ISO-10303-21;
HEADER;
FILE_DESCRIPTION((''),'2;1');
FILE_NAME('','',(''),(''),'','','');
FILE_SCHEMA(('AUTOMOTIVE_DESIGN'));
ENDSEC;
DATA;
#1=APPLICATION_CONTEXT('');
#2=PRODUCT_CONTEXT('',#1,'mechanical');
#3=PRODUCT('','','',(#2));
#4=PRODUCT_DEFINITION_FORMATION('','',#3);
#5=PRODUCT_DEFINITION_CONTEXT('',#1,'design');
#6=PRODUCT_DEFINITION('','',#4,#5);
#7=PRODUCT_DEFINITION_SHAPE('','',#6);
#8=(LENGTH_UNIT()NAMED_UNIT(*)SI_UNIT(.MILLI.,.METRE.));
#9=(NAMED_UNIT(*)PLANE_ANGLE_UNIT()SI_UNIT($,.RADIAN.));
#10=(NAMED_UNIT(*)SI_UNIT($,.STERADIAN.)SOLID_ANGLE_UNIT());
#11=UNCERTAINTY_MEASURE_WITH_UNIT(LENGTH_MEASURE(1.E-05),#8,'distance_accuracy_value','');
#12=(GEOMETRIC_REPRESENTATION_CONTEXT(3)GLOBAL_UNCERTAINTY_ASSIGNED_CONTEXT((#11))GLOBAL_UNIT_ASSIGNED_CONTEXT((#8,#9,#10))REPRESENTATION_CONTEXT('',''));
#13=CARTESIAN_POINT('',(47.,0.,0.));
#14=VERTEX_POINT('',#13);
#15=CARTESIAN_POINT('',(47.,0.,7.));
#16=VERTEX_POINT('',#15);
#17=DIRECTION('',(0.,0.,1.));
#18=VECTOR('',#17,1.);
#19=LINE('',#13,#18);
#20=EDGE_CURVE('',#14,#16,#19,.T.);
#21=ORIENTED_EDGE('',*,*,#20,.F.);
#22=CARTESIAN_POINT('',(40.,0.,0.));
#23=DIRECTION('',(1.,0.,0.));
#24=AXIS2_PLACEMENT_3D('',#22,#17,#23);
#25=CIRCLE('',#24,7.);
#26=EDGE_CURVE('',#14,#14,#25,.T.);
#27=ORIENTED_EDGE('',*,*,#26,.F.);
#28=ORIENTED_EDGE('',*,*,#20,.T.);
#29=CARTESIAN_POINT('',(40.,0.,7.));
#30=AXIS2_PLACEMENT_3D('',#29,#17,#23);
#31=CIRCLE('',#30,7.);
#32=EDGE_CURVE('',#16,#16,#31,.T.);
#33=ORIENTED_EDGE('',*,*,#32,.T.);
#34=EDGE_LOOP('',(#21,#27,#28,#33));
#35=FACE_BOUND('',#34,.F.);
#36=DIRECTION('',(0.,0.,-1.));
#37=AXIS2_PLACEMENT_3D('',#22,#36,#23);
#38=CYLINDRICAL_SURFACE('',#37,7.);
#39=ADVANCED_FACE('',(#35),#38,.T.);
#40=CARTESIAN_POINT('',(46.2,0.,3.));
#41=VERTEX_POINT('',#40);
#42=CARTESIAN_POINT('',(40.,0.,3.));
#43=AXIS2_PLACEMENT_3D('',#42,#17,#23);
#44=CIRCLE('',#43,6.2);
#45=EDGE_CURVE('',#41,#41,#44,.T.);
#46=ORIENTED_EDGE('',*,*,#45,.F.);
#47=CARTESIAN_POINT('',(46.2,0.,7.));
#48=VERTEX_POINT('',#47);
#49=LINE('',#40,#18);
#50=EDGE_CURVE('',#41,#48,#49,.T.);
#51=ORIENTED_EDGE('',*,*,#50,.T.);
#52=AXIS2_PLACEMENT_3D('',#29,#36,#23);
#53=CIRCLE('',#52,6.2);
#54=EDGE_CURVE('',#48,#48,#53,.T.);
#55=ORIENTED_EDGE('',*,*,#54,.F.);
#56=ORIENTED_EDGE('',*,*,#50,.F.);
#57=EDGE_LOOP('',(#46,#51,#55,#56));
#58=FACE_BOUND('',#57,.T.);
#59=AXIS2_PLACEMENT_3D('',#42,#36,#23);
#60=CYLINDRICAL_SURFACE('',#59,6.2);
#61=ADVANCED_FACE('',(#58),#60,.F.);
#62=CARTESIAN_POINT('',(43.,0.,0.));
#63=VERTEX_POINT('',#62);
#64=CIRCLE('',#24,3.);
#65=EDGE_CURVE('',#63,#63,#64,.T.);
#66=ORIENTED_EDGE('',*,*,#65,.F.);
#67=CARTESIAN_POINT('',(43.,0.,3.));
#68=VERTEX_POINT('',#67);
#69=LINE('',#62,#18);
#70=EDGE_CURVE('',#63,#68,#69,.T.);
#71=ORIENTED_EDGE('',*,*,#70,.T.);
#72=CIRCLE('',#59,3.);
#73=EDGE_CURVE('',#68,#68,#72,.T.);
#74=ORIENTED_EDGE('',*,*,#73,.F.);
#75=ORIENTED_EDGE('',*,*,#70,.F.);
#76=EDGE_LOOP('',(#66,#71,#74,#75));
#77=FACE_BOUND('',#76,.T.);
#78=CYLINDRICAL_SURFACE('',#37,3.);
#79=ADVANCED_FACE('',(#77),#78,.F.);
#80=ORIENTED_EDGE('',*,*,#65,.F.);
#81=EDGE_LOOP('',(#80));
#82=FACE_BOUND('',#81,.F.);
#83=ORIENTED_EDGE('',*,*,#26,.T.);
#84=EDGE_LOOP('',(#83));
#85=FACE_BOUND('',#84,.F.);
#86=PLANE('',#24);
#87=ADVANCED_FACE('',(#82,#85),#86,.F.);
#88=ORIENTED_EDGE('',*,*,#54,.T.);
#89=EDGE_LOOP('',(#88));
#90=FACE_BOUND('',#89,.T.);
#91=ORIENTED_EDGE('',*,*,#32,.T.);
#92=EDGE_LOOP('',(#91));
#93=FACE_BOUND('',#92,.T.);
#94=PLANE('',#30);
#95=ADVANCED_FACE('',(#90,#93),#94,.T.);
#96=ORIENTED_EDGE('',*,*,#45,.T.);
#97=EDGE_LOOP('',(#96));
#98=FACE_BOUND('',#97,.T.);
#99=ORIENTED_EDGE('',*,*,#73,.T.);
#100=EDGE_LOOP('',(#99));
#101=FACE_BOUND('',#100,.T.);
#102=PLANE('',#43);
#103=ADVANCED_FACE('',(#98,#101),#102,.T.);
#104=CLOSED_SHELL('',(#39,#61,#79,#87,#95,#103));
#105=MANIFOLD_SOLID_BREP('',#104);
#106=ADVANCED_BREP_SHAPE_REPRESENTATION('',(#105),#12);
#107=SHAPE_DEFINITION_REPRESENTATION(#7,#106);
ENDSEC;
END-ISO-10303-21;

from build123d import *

# Parameters (mm, degrees)
CYLINDER018_R     = 6.2
CYLINDER018_DEPTH = 5
TUBE_R            = 7
TUBE_R_2          = 3
TUBE_DEPTH        = 7


with BuildPart() as cylinder:
    # Cylinder018 → Cylinder018 (new body)
    with BuildSketch(Plane(origin=(40, 0, 3), x_dir=(1, 0, 0), z_dir=(0, 0, 1))):
        Circle(CYLINDER018_R)
    extrude(amount=CYLINDER018_DEPTH)


with BuildPart() as captmp:
    # Tube → Tube (new body)
    with BuildSketch(Plane(origin=(40, 0, 0), x_dir=(1, 0, 0), z_dir=(0, 0, 1))):
        Circle(TUBE_R)
        Circle(TUBE_R_2, mode=Mode.SUBTRACT)
    extrude(amount=TUBE_DEPTH)

    # Cut011: cut Cylinder
    add(cylinder.part, mode=Mode.SUBTRACT)


solid = captmp.part
